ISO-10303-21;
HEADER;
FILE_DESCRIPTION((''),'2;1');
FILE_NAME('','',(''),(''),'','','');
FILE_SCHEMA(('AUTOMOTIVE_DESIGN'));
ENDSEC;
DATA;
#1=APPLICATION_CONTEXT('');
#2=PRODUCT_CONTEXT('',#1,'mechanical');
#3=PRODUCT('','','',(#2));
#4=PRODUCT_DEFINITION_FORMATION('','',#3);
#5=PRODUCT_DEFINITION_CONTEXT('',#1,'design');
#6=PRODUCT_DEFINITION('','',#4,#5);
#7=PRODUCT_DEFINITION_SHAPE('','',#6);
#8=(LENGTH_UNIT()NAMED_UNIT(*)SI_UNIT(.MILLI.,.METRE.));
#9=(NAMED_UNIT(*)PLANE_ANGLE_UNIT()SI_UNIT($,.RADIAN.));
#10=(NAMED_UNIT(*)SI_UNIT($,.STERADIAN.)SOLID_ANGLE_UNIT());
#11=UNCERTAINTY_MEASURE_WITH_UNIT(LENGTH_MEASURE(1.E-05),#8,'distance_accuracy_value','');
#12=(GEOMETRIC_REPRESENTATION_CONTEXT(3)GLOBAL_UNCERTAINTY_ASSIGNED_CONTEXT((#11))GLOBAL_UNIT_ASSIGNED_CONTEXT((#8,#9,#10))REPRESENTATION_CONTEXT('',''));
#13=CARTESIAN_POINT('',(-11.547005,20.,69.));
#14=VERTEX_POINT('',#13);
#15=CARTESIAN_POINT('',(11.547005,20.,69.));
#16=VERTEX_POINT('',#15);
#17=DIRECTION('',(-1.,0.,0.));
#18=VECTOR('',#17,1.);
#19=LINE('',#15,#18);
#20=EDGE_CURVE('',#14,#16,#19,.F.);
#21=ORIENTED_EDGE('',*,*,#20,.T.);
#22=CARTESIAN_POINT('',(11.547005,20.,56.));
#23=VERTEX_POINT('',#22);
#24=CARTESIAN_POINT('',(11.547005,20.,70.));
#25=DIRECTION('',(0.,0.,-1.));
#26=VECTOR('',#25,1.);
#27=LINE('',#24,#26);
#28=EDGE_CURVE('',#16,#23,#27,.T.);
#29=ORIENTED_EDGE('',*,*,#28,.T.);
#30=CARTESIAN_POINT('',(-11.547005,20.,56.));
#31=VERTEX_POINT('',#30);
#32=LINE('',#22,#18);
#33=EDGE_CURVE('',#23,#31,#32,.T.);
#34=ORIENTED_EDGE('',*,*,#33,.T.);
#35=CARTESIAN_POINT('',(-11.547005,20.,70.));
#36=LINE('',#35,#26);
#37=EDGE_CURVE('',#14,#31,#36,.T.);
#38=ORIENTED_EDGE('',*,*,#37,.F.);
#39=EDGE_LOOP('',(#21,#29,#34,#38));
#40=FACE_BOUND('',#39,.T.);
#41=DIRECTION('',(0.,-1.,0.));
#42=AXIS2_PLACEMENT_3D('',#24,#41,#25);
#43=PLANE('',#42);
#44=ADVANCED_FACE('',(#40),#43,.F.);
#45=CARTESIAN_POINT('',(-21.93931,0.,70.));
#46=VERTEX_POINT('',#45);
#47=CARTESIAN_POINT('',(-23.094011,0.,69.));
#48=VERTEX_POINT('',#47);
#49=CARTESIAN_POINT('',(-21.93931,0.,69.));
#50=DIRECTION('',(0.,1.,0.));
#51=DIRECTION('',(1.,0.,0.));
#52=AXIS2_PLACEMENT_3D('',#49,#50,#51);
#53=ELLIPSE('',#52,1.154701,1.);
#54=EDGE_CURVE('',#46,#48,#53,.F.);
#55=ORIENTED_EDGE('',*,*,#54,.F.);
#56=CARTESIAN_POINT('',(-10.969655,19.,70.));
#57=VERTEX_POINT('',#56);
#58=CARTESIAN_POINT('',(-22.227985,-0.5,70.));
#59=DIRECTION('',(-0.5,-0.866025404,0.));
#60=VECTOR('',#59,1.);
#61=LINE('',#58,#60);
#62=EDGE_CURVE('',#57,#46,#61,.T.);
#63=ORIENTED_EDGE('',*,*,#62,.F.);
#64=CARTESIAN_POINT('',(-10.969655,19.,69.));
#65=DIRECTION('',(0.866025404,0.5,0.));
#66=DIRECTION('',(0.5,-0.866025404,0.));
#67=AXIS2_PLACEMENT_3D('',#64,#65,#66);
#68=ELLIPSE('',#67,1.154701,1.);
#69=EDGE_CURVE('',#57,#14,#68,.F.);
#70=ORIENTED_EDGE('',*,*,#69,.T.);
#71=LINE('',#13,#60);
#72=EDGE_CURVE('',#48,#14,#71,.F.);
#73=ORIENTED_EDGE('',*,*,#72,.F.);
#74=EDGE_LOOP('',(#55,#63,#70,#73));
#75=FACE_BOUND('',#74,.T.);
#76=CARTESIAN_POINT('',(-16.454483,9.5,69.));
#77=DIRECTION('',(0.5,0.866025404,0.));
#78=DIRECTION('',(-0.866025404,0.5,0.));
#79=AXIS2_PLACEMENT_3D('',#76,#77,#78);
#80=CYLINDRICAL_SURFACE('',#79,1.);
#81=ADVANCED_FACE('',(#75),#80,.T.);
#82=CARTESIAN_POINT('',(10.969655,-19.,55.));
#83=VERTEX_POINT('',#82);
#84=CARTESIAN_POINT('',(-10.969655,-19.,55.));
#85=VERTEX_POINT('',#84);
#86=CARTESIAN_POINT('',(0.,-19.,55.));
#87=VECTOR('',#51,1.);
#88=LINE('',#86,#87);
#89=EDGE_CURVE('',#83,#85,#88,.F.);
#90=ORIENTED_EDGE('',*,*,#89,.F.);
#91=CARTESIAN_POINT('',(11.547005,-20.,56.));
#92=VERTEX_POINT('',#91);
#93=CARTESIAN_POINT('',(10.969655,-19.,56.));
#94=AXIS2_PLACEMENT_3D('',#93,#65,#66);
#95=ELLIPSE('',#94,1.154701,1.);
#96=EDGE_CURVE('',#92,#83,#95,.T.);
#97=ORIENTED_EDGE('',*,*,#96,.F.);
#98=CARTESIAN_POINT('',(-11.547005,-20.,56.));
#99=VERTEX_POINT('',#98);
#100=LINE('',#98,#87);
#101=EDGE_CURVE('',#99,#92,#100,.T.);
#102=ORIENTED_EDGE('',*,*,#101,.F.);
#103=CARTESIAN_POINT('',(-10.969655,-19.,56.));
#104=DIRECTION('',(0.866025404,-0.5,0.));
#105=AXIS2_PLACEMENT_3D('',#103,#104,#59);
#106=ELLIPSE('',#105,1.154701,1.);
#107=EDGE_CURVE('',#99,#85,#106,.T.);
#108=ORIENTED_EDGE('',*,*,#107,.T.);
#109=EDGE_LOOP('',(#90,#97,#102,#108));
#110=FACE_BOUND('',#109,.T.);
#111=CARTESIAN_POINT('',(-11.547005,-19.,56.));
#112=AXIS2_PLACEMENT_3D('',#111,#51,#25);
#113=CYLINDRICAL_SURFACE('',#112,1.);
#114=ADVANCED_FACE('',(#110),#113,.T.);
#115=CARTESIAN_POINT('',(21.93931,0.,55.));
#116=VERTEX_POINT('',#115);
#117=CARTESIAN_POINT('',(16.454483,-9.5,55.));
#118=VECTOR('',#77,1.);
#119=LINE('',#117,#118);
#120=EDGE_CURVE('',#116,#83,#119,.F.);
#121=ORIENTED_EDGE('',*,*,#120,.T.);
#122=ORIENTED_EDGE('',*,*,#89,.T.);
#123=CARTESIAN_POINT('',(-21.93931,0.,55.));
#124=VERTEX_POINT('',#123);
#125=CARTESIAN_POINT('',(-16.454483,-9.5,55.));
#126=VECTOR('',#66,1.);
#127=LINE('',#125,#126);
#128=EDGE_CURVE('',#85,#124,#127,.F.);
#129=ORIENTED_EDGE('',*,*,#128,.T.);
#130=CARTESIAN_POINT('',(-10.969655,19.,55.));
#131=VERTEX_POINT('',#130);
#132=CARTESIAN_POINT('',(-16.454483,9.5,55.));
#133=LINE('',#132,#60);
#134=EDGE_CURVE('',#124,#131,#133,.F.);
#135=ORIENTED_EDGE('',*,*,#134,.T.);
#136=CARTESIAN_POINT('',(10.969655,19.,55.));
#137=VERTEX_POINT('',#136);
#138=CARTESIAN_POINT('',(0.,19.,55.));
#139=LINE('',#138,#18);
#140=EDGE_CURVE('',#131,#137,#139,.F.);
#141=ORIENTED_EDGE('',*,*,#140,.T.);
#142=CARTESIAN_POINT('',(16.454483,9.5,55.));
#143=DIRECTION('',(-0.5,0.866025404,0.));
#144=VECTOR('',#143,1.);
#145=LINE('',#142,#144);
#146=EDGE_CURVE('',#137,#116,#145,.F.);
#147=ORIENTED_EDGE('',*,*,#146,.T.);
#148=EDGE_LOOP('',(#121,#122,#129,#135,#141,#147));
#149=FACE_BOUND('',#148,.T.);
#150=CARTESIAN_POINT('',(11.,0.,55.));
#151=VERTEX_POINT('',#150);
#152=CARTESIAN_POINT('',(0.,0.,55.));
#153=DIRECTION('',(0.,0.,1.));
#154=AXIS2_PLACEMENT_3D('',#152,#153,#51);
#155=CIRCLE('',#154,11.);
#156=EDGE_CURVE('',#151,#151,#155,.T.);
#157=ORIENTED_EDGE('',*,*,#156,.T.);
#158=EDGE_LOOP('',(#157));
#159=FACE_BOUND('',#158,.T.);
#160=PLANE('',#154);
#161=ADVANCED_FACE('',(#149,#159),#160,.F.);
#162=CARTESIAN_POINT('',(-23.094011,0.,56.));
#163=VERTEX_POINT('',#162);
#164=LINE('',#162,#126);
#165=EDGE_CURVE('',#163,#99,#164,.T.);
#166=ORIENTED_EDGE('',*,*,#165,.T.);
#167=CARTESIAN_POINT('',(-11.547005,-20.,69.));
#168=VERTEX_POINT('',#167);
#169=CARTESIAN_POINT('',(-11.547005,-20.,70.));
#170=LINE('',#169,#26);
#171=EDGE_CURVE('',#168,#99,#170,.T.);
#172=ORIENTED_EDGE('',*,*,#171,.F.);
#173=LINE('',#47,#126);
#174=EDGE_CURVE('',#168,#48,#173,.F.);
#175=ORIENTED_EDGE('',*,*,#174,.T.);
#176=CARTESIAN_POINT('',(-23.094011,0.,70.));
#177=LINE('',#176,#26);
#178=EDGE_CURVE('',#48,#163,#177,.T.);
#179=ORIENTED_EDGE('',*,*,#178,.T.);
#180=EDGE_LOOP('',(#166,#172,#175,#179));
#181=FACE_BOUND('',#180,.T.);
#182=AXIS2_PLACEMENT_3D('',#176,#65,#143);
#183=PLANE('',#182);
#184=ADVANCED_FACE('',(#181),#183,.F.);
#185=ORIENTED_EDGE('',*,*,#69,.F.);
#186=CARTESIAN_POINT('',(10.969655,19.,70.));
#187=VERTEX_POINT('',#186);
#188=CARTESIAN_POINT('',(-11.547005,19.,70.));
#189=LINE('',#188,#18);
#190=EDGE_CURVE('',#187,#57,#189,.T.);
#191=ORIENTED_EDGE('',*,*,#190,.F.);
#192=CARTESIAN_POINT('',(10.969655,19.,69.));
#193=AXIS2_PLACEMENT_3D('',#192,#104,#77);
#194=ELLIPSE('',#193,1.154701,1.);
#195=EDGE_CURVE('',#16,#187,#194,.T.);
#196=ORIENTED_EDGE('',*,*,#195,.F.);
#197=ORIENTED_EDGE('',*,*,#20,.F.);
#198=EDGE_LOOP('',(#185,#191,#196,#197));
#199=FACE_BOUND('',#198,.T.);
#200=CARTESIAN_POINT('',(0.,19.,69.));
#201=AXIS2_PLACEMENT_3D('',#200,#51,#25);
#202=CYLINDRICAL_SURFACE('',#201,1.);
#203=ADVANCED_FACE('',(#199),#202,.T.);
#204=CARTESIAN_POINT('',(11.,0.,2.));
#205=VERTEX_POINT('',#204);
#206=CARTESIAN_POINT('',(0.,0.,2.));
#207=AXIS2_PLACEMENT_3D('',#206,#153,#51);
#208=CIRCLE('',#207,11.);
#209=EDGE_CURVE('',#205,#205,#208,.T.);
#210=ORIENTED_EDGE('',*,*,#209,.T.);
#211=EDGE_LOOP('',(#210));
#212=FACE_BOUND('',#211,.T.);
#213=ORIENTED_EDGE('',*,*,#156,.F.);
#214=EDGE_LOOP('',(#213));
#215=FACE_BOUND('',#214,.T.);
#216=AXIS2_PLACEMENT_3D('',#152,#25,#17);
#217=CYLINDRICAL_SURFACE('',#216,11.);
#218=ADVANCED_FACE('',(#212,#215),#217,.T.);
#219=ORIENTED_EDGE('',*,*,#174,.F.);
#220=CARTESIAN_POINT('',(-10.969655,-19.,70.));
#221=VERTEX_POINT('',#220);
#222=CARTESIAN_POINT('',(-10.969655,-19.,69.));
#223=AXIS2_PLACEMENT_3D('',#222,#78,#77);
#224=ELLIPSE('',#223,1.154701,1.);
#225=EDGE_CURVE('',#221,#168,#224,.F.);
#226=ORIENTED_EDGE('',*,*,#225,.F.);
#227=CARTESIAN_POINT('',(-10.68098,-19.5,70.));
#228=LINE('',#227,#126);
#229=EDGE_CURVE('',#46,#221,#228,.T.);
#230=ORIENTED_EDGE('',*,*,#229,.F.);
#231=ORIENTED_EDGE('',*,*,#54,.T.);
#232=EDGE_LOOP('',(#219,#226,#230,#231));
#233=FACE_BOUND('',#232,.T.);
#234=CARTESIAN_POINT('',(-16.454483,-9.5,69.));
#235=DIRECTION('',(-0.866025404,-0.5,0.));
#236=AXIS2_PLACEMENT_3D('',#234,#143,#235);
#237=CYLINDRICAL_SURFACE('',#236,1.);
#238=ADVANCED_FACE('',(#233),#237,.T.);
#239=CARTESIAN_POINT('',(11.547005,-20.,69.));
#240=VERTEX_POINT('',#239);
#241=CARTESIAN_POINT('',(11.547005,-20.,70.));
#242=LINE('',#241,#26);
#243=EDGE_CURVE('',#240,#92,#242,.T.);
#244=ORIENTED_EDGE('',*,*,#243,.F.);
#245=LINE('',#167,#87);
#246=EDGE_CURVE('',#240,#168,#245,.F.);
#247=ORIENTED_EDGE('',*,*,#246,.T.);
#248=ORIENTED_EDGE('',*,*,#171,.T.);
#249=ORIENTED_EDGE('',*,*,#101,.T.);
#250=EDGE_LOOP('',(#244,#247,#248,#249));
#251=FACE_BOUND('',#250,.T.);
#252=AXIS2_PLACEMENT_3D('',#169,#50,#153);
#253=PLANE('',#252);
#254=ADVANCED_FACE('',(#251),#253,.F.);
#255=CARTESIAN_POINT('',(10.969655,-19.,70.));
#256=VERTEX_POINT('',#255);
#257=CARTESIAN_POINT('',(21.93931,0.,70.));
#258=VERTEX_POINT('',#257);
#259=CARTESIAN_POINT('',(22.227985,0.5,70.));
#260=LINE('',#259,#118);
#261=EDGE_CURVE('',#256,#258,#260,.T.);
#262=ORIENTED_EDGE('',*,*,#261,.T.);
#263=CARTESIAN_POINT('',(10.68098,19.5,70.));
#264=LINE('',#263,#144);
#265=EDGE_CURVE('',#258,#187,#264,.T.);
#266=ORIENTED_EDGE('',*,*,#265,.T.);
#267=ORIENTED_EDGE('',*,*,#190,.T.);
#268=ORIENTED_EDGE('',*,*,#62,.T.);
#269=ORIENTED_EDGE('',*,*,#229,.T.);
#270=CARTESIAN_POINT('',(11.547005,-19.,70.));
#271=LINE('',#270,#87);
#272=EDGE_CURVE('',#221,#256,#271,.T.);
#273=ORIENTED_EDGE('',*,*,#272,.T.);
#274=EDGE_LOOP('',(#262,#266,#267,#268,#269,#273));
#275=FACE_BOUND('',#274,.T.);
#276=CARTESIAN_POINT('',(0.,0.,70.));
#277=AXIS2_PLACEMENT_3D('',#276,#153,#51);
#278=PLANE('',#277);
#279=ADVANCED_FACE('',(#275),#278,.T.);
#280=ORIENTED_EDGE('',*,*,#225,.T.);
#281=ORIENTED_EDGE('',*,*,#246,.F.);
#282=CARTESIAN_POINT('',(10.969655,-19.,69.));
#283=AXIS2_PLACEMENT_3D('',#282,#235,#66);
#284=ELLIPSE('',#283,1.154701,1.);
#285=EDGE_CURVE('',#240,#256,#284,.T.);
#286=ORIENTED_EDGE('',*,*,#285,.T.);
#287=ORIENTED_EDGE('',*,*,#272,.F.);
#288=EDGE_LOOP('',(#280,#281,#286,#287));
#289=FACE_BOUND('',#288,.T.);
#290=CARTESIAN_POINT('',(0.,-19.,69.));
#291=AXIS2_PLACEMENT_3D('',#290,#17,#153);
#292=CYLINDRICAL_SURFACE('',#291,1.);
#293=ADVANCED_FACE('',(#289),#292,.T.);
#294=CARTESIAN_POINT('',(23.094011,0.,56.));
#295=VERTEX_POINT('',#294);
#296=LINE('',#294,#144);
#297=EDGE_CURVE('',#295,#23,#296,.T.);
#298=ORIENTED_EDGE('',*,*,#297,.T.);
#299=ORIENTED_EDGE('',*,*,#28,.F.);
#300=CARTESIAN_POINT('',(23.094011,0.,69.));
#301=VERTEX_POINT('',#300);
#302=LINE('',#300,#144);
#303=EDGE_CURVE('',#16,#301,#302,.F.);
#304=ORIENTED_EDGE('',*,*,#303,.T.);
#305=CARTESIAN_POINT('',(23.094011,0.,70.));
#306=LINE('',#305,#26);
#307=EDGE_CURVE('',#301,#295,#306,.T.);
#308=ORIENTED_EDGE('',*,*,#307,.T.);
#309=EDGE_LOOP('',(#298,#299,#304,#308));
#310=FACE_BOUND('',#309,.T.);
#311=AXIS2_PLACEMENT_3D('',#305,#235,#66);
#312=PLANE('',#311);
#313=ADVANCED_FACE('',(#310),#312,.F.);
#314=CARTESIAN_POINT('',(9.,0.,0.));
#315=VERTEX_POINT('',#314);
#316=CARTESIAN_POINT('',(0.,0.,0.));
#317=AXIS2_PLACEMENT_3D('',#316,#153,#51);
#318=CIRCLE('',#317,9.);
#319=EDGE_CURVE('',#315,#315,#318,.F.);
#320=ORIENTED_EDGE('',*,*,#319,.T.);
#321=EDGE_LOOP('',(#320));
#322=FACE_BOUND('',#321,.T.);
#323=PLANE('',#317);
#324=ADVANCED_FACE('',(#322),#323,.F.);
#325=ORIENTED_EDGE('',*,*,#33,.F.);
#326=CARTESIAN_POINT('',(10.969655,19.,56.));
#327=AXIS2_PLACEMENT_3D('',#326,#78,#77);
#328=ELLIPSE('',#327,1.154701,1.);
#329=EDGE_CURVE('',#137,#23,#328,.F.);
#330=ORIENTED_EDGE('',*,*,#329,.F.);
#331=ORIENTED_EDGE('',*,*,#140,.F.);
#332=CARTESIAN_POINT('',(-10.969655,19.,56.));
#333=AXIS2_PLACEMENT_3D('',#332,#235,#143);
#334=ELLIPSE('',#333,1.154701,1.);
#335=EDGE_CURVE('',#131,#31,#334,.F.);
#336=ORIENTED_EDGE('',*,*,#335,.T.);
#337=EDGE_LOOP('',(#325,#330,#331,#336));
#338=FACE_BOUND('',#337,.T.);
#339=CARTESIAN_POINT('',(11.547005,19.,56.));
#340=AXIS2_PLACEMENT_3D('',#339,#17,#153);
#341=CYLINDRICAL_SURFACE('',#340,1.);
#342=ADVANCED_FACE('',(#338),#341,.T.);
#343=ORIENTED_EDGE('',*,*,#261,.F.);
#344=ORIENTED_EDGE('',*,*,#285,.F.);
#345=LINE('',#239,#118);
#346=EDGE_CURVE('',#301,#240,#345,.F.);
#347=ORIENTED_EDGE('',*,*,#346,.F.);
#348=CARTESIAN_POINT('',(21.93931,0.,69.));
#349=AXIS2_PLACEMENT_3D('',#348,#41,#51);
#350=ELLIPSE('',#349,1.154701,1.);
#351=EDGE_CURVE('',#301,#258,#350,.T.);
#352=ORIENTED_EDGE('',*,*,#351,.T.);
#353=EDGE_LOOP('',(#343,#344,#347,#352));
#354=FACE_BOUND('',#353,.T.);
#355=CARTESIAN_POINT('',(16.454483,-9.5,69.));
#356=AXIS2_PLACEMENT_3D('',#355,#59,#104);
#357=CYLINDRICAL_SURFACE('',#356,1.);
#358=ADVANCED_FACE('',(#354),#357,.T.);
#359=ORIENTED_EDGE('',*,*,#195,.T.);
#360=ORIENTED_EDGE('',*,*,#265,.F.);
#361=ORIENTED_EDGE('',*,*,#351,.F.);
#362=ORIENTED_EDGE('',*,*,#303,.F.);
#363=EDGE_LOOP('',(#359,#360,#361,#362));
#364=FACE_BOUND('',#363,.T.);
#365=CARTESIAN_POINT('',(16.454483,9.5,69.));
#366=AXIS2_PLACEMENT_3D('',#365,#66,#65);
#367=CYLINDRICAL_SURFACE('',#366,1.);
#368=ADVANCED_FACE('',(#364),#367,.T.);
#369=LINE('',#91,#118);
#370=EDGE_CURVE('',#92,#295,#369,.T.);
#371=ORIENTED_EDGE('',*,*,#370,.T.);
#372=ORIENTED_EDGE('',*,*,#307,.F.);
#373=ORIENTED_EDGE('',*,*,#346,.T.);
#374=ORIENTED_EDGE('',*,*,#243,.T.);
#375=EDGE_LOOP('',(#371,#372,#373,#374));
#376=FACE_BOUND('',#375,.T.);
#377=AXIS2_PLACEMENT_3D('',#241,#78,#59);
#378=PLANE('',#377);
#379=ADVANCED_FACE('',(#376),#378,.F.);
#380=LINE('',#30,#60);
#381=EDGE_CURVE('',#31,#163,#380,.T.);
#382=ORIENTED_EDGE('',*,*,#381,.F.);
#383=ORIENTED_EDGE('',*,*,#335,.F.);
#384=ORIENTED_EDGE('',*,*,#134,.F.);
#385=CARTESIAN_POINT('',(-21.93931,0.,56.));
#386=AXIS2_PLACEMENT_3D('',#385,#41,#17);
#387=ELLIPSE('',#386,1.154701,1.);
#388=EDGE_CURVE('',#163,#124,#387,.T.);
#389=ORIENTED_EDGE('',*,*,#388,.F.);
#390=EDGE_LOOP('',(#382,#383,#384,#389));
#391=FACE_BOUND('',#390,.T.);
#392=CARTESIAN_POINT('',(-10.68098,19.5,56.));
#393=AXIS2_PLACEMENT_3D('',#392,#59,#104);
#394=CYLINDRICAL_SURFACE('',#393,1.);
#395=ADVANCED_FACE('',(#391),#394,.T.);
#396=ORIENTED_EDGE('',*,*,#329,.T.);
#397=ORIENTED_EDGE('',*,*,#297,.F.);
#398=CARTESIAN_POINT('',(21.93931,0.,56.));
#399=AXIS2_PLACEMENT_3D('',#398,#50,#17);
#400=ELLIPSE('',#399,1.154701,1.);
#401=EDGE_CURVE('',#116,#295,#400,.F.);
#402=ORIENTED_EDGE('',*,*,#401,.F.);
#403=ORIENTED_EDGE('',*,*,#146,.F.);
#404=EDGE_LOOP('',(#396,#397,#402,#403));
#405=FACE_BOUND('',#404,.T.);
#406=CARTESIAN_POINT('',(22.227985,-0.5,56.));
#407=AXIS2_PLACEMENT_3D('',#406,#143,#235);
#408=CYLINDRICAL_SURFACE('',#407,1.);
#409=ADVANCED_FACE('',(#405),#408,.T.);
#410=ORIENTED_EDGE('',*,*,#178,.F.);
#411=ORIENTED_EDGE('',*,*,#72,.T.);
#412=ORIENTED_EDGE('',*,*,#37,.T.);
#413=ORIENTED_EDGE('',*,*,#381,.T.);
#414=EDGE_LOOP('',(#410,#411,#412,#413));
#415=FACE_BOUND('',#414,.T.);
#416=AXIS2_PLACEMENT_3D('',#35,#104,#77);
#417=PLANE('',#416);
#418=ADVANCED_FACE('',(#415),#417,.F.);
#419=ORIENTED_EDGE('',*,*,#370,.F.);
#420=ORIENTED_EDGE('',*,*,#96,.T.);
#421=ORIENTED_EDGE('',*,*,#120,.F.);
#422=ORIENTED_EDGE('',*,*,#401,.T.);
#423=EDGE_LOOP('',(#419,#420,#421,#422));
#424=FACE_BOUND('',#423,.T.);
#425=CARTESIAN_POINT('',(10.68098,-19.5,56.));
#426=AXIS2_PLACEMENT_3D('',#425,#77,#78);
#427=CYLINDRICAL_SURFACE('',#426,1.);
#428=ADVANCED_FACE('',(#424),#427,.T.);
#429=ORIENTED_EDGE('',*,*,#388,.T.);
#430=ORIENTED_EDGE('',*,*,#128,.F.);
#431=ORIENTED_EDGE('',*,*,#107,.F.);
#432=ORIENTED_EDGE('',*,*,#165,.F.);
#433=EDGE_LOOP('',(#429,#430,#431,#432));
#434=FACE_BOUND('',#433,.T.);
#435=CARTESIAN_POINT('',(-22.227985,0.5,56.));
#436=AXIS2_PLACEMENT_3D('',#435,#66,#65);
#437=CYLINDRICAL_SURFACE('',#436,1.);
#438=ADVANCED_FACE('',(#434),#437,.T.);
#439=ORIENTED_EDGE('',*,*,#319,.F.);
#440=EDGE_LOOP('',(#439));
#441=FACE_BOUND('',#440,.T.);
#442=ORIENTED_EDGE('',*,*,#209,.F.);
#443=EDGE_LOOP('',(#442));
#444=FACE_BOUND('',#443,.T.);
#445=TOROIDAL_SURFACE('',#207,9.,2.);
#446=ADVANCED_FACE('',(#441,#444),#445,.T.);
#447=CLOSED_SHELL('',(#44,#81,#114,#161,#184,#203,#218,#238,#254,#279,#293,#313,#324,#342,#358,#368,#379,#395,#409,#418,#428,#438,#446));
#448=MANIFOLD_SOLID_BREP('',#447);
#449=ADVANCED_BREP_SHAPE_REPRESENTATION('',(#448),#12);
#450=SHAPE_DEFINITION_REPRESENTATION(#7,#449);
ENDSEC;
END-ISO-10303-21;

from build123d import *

# Parameters (mm, degrees)
SKETCH_1_R      = 11
EXTRUDE_1_DEPTH = 55
EXTRUDE_2_DEPTH = 15
FILLET_1_R      = 1
FILLET_2_R      = 2


with BuildPart() as part:
    # 草图1 → 凸台-拉伸1 (new body)
    with BuildSketch(Plane.XY):
        Circle(SKETCH_1_R)
    extrude(amount=EXTRUDE_1_DEPTH)

    # 草图2 → 凸台-拉伸2 (add)
    with BuildSketch(Plane.XY.offset(55)):
        Polygon((11.547005384, -20), (23.094010768, 0), (11.547005384, 20), (-11.547005384, 20), (-23.094010768, 0), (-11.547005384, -20), align=None)
    extrude(amount=EXTRUDE_2_DEPTH)

    # 圆角1
    fillet_1_edges = [part.edges().sort_by_distance(p)[0] for p in [
        (0, -20, 55),
        (17.320508076, -10, 55),
        (17.320508076, 10, 55),
        (0, 20, 55),
        (-17.320508076, 10, 55),
        (-17.320508076, -10, 55),
        (0, -20, 70),
        (17.320508076, -10, 70),
        (17.320508076, 10, 70),
        (0, 20, 70),
        (-17.320508076, 10, 70),
        (-17.320508076, -10, 70),
    ]]
    fillet(fillet_1_edges, radius=FILLET_1_R)

    # 圆角2
    fillet_2_edges = [part.edges().sort_by_distance(p)[0] for p in [
        (-11, 0, 0),
    ]]
    fillet(fillet_2_edges, radius=FILLET_2_R)


solid = part.part
